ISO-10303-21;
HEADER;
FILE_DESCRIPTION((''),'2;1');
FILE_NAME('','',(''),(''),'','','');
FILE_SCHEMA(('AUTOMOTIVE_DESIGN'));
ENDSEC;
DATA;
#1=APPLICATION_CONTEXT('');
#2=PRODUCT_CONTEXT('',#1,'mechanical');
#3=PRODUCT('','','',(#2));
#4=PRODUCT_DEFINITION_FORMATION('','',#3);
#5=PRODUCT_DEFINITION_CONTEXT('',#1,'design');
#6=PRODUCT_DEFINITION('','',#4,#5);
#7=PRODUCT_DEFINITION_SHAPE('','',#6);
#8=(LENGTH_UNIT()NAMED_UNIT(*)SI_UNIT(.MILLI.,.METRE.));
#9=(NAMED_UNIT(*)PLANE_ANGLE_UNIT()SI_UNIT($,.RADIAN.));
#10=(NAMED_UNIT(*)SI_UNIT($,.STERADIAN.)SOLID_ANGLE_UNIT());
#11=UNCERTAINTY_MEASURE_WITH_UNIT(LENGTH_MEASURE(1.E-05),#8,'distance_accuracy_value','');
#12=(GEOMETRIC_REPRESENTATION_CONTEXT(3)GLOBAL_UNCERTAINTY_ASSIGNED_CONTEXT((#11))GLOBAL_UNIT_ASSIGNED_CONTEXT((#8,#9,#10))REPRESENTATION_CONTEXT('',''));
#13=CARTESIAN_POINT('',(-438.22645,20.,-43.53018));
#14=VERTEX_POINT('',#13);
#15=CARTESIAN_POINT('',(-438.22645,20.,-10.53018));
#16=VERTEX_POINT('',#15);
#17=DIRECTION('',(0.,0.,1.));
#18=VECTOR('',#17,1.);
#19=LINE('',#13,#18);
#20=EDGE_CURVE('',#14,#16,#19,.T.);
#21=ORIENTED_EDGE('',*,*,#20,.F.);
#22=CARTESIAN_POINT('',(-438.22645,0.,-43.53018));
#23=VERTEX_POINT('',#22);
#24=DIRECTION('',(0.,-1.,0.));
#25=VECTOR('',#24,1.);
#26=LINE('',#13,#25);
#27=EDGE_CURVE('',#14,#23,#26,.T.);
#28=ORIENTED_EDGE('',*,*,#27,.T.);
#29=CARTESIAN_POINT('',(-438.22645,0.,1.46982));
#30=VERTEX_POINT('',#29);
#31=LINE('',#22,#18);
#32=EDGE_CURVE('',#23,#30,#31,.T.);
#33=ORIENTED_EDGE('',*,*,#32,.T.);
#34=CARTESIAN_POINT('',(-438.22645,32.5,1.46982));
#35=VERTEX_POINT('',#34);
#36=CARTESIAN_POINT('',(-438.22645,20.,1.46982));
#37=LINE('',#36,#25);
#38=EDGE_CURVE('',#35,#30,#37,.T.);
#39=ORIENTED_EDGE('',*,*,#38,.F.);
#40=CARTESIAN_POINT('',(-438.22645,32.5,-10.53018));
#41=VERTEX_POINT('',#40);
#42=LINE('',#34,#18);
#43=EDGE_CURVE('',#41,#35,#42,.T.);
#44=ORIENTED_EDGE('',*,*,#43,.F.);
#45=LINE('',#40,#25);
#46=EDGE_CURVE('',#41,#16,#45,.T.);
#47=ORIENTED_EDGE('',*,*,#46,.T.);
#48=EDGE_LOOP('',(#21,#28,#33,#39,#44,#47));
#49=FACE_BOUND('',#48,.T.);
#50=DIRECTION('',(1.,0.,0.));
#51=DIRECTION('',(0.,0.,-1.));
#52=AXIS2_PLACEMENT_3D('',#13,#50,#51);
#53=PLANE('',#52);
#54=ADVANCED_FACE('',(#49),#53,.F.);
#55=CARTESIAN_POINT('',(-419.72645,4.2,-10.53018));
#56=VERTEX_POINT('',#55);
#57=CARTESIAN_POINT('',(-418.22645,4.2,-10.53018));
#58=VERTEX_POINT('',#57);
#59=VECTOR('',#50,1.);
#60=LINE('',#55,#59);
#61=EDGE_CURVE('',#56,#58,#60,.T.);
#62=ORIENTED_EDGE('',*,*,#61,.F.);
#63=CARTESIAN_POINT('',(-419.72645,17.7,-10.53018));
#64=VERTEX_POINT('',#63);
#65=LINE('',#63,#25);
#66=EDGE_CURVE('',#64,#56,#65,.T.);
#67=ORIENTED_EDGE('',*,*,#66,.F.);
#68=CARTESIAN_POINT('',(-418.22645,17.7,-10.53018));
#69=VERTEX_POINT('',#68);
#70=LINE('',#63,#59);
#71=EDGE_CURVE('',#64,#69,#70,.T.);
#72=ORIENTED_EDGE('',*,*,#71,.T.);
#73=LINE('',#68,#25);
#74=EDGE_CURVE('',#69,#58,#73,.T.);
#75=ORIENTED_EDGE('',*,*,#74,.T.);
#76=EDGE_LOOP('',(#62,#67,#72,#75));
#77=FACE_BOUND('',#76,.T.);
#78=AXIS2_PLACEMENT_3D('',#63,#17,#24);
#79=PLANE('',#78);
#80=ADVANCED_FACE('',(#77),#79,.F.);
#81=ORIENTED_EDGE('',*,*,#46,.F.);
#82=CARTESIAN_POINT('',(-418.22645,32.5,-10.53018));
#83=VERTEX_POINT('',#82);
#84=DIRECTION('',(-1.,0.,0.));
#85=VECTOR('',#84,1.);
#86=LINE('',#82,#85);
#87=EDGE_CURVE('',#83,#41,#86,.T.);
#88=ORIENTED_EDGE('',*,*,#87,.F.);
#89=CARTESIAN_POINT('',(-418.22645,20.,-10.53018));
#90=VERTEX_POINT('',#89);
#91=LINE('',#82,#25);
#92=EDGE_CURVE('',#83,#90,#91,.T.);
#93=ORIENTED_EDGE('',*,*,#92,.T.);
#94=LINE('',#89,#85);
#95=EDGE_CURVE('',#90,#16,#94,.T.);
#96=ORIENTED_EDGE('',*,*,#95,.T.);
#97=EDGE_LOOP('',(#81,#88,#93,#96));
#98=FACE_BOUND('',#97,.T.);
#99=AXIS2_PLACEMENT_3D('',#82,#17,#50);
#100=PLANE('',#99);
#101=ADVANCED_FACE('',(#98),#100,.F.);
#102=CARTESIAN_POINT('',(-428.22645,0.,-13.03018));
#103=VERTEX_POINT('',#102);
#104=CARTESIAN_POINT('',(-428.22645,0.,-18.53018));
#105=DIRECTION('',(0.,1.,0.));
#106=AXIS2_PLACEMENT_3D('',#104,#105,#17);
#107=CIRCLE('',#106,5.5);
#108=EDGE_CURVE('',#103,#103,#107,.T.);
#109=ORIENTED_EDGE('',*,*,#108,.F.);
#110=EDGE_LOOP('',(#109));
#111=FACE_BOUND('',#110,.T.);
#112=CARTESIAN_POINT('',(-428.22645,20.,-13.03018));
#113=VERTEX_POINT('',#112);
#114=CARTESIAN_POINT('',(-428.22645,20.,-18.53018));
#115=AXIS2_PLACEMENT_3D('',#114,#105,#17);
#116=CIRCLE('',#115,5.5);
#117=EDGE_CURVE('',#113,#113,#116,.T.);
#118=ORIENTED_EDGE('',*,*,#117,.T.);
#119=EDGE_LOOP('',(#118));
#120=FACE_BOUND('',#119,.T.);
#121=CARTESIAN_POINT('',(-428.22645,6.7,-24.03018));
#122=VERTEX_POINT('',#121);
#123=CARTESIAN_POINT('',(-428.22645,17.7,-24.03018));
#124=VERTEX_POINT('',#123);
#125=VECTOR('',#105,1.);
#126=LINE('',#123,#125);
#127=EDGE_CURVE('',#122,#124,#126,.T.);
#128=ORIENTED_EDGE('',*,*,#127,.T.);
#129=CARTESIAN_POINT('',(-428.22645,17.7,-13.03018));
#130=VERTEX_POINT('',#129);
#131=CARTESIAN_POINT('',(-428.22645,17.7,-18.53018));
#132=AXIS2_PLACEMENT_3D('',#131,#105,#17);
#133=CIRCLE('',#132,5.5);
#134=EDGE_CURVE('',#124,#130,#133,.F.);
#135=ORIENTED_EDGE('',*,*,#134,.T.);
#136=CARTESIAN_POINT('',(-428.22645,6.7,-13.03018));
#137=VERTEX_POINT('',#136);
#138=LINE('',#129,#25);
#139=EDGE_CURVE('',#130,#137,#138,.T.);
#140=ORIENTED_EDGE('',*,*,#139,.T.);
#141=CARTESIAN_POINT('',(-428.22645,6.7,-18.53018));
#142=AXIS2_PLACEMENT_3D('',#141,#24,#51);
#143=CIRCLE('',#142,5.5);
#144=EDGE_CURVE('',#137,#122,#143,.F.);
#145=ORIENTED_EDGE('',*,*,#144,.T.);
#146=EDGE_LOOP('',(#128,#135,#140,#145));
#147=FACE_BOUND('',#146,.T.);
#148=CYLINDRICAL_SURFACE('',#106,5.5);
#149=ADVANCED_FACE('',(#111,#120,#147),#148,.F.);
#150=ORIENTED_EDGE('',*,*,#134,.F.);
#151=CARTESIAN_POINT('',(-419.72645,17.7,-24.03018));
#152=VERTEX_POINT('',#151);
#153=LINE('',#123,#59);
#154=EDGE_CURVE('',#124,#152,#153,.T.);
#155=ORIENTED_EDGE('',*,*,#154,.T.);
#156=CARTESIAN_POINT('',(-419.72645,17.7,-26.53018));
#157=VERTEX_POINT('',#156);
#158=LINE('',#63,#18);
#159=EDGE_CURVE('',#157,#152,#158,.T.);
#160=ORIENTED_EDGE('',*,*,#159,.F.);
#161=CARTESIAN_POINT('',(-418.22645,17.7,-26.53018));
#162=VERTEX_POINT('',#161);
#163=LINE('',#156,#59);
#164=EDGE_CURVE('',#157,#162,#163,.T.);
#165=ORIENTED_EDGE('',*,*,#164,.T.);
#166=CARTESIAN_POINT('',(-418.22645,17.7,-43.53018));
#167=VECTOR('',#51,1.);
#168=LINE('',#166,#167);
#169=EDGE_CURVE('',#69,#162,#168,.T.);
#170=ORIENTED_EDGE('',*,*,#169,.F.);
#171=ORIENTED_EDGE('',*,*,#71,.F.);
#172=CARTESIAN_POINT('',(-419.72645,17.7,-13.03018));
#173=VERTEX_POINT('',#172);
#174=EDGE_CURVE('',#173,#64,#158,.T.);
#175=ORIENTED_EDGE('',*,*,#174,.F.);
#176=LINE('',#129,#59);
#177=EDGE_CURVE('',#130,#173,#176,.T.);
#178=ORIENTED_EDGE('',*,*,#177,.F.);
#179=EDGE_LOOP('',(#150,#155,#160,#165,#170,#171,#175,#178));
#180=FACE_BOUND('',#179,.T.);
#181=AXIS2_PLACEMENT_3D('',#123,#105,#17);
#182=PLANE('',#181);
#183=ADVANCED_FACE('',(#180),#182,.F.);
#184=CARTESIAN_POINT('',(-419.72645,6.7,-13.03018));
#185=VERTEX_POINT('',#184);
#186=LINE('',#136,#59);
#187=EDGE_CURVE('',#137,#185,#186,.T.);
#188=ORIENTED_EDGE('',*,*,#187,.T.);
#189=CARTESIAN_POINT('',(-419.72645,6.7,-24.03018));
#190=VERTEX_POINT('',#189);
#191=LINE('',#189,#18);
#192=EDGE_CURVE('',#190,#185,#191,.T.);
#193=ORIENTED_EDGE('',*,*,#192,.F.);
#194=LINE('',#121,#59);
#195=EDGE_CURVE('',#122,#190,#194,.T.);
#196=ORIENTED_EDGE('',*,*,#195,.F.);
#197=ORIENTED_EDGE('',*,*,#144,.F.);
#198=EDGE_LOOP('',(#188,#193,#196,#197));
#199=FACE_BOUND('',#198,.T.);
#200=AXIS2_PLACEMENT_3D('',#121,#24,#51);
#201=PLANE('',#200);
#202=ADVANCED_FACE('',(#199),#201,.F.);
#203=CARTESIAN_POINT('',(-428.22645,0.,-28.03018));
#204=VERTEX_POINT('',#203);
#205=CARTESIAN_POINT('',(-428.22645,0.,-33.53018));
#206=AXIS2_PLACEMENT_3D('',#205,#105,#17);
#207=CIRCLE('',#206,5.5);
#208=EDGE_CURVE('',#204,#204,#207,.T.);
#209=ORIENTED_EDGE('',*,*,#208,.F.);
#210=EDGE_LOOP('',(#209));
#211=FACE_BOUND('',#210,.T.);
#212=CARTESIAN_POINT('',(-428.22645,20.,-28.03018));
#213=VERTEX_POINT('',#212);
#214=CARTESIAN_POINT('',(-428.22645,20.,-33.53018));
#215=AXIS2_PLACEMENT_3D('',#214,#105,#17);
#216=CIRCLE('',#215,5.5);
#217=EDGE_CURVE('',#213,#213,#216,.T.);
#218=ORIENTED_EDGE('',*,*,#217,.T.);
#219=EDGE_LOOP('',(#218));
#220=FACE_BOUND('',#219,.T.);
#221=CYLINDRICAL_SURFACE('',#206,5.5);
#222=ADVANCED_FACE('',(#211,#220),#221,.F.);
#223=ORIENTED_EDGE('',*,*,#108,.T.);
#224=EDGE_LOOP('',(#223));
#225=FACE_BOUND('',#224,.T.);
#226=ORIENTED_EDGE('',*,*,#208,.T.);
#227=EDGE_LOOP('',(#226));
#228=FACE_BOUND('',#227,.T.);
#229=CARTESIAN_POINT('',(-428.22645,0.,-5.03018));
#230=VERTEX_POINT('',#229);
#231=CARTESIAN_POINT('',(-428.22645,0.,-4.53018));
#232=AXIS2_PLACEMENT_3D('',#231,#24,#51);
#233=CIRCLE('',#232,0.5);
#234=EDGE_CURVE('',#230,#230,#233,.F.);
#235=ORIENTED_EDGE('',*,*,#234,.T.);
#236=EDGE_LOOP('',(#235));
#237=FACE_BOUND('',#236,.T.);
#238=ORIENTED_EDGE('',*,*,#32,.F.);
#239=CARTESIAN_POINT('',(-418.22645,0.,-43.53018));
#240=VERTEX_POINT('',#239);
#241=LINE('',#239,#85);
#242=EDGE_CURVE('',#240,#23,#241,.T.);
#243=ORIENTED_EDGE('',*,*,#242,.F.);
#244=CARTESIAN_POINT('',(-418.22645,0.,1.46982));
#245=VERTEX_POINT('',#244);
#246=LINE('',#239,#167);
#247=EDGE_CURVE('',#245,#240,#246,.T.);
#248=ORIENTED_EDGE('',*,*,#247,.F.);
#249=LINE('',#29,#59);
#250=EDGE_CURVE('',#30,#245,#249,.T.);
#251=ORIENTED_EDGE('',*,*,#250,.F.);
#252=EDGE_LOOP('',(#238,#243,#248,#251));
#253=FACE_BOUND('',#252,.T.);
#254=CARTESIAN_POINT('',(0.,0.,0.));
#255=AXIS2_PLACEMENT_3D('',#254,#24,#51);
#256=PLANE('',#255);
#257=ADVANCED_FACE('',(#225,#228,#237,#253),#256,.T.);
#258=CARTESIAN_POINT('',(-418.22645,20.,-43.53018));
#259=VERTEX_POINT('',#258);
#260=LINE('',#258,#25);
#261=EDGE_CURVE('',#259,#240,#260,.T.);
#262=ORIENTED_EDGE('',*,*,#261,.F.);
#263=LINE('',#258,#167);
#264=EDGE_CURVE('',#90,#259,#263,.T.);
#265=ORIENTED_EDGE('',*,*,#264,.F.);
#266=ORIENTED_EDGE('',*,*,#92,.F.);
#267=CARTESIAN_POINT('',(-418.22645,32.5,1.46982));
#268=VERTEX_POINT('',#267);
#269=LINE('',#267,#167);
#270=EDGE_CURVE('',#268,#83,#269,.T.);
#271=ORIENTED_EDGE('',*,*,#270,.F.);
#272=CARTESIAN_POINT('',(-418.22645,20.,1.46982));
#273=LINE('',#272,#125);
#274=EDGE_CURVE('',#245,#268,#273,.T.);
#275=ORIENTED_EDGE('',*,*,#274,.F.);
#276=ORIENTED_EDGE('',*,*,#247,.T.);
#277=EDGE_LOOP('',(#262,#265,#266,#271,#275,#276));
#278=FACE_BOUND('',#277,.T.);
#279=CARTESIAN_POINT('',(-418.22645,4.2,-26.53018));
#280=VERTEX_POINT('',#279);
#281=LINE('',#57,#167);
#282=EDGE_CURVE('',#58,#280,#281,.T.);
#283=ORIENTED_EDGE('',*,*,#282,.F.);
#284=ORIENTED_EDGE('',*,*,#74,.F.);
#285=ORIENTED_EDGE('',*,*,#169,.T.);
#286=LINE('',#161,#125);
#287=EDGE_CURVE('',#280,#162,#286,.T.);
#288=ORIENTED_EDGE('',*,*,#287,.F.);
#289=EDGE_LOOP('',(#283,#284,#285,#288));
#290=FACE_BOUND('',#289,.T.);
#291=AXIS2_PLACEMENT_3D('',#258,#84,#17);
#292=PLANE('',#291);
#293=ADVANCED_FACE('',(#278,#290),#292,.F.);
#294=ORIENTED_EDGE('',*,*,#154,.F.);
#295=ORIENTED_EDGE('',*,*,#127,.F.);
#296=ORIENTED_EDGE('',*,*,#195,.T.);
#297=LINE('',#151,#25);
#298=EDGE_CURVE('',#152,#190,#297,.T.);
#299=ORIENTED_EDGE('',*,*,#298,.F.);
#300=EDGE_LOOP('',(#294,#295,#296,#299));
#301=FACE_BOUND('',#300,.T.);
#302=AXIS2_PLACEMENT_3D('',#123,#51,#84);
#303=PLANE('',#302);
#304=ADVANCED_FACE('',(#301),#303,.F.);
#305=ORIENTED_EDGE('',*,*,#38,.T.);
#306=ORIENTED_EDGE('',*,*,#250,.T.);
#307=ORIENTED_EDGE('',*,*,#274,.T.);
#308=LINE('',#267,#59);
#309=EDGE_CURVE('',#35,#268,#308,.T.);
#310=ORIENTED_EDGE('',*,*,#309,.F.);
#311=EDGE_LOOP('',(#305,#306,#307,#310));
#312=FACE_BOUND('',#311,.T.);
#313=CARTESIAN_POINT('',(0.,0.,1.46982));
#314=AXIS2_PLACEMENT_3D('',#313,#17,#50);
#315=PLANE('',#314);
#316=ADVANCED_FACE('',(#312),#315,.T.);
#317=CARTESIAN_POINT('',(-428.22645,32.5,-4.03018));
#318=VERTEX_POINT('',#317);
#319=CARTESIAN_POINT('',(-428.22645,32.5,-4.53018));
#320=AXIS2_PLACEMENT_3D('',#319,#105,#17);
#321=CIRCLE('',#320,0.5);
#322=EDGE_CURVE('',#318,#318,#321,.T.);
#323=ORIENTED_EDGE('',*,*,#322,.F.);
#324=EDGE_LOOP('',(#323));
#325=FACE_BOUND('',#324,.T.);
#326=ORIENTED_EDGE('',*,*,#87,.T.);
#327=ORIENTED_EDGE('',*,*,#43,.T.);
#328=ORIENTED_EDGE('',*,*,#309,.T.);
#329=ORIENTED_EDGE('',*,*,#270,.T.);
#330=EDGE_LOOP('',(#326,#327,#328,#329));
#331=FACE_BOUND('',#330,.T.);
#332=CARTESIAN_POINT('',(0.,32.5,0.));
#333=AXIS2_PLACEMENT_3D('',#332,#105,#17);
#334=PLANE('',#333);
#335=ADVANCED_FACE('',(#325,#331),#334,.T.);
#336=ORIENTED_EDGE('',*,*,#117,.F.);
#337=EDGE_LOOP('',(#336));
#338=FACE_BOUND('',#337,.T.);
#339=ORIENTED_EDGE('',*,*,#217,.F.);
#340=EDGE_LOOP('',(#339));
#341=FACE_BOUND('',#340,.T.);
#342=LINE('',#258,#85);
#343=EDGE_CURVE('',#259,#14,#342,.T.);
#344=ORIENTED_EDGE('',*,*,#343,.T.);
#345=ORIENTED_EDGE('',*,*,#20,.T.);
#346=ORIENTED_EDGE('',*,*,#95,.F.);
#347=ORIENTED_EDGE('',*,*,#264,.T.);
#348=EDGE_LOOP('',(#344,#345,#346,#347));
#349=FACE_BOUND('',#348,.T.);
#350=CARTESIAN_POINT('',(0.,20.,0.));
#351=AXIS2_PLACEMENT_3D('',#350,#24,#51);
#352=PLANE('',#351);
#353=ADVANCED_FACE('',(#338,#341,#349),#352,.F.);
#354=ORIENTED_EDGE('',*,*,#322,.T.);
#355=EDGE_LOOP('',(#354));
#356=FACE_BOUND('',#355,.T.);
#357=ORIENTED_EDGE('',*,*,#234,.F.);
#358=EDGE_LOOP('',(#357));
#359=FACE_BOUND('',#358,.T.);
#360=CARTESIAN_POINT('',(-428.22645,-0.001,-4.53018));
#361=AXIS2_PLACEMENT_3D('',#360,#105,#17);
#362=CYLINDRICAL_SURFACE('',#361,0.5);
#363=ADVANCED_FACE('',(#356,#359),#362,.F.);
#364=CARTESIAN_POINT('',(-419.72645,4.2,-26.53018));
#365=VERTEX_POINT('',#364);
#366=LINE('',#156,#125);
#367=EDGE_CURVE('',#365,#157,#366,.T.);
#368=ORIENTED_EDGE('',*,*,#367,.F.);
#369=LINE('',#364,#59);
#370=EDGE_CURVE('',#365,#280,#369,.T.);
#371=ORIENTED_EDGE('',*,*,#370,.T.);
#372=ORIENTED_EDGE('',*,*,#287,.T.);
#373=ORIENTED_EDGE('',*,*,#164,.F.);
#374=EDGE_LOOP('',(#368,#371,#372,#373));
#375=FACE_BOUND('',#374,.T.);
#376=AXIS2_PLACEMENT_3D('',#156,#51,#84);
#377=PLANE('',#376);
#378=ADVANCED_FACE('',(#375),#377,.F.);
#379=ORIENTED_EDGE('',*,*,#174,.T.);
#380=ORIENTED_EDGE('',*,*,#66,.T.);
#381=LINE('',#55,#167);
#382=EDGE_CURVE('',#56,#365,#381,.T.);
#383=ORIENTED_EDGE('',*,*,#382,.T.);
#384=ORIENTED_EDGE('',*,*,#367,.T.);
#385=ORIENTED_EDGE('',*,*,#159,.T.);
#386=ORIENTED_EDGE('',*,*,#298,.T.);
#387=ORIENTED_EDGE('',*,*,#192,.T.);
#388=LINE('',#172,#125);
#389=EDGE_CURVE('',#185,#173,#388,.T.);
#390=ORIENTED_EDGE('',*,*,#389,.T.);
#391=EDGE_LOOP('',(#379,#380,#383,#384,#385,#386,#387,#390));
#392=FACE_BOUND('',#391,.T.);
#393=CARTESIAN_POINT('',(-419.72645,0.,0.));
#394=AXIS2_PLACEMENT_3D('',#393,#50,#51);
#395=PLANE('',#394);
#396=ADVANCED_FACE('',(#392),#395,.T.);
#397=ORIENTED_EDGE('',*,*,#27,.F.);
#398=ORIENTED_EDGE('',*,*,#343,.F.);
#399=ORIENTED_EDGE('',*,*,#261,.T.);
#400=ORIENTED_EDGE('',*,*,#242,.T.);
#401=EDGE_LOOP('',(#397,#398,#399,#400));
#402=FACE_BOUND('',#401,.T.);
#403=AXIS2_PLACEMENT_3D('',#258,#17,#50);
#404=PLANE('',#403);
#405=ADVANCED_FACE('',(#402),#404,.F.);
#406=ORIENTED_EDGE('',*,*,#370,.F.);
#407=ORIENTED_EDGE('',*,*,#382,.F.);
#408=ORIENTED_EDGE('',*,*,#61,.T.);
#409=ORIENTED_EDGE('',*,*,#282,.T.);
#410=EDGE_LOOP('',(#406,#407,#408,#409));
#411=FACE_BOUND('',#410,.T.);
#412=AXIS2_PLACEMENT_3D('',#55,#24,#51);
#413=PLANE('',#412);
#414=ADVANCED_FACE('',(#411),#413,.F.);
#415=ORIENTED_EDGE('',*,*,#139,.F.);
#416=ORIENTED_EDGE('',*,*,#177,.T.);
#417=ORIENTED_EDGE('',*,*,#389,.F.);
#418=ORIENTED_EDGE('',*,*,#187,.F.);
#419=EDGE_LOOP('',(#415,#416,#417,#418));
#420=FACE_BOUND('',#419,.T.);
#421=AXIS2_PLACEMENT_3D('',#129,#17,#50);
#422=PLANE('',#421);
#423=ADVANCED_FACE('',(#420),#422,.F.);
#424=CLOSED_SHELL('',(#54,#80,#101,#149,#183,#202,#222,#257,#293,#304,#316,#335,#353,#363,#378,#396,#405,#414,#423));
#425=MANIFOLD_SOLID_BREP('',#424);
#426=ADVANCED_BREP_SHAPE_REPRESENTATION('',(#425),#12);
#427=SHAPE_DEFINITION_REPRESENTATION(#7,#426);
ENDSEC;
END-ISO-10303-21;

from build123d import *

# Parameters (mm, degrees)
CROQUIS1_W              = 20
CROQUIS1_H              = 35
CROQUIS1_R              = 5
SALIENTE_EXTRUIR1_DEPTH = 20
CROQUIS2_R              = 2
SALIENTE_EXTRUIR2_DEPTH = 8
CROQUIS3_W              = 20
CROQUIS3_H              = 20
SALIENTE_EXTRUIR3_DEPTH = 10
CORTAR_EXTRUIR1_REACH   = 442.837
CROQUIS4_R              = 0.5
SALIENTE_EXTRUIR4_START = 12.5
CROQUIS5_W              = 20
CROQUIS5_H              = 12
CROQUIS5_R              = 0.5
SALIENTE_EXTRUIR4_DEPTH = 12.5
CROQUIS6_R              = 5.5
CORTAR_EXTRUIR2_DEPTH   = 441.837042541
CROQUIS7_W              = 11
CROQUIS7_H              = 11
CORTAR_EXTRUIR3_DEPTH   = 18
CROQUIS8_W              = 16
CROQUIS8_H              = 13.5
CORTAR_EXTRUIR4_DEPTH   = 1.5


with BuildPart() as part:
    # Croquis1 → Saliente-Extruir1 (new body)
    with BuildSketch(Plane(origin=(0, 0, 0), x_dir=(1, 0, 0), z_dir=(0, 1, 0))):
        with Locations((-428.226450018, 26.030180121)):
            Rectangle(CROQUIS1_W, CROQUIS1_H)
        with Locations(Location((-428.226450018, 18.530180121, 0), (0, 0, 270))):
            Circle(CROQUIS1_R, mode=Mode.SUBTRACT)
        with Locations(Location((-428.226450018, 33.530180121, 0), (0, 0, 270))):
            Circle(CROQUIS1_R, mode=Mode.SUBTRACT)
    extrude(amount=SALIENTE_EXTRUIR1_DEPTH)

    # Croquis2 → Saliente-Extruir2 (add)
    with BuildSketch(Plane(origin=(-418.226450018, 0, 0), x_dir=(0, 0, -1), z_dir=(1, 0, 0))):
        with Locations(Location((18.530180121, 12.2, 0), (0, 0, 180))):
            Circle(CROQUIS2_R)
    extrude(amount=SALIENTE_EXTRUIR2_DEPTH)

    # Croquis3 → Saliente-Extruir3 (add)
    with BuildSketch(Plane.XY.offset(-8.530180121)):
        with Locations((-428.226450018, 10)):
            Rectangle(CROQUIS3_W, CROQUIS3_H)
    extrude(amount=SALIENTE_EXTRUIR3_DEPTH)

    # Croquis4 → Cortar-Extruir1 (cut, up to next)
    with BuildSketch(Plane(origin=(0, 20, 0), x_dir=(1, 0, 0), z_dir=(0, 1, 0)), mode=Mode.PRIVATE) as cortar_extruir1_sk1:
        with Locations(Location((-428.226450018, 4.530180121, 0), (0, 0, 270))):
            Circle(CROQUIS4_R)
    cortar_extruir1_tool1 = extrude(cortar_extruir1_sk1.sketch, amount=-CORTAR_EXTRUIR1_REACH, mode=Mode.PRIVATE) & part.part
    add(cortar_extruir1_tool1.solids().sort_by_distance((-428.22645, 20, -4.53018))[0], mode=Mode.SUBTRACT)

    # Croquis5 → Saliente-Extruir4 (add)
    with BuildSketch(Plane(origin=(0, 20, 0), x_dir=(1, 0, 0), z_dir=(0, 1, 0)).offset(SALIENTE_EXTRUIR4_START)):
        with Locations((-428.226450018, 4.530180121)):
            Rectangle(CROQUIS5_W, CROQUIS5_H)
        with Locations(Location((-428.226450018, 4.530180121, 0), (0, 0, 270))):
            Circle(CROQUIS5_R, mode=Mode.SUBTRACT)
    extrude(amount=-SALIENTE_EXTRUIR4_DEPTH)

    # Croquis6 → Cortar-Extruir2 (cut, through all)
    with BuildSketch(Plane(origin=(0, 20, 0), x_dir=(1, 0, 0), z_dir=(0, 1, 0))):
        with Locations(Location((-428.226450018, 18.530180121, 0), (0, 0, 270))):
            Circle(CROQUIS6_R)
        with Locations(Location((-428.226450018, 33.530180121, 0), (0, 0, 270))):
            Circle(CROQUIS6_R)
    extrude(amount=-CORTAR_EXTRUIR2_DEPTH, mode=Mode.SUBTRACT)

    # Croquis7 → Cortar-Extruir3 (cut)
    with BuildSketch(Plane(origin=(-410.226450018, 0, 0), x_dir=(0, 0, -1), z_dir=(1, 0, 0))):
        with Locations((18.530180121, 12.2)):
            Rectangle(CROQUIS7_W, CROQUIS7_H)
    extrude(amount=-CORTAR_EXTRUIR3_DEPTH, mode=Mode.SUBTRACT)

    # Croquis8 → Cortar-Extruir4 (cut)
    with BuildSketch(Plane(origin=(-418.226450018, 0, 0), x_dir=(0, 0, -1), z_dir=(1, 0, 0))):
        with Locations((18.530180121, 10.95)):
            Rectangle(CROQUIS8_W, CROQUIS8_H)
    extrude(amount=-CORTAR_EXTRUIR4_DEPTH, mode=Mode.SUBTRACT)


solid = part.part
